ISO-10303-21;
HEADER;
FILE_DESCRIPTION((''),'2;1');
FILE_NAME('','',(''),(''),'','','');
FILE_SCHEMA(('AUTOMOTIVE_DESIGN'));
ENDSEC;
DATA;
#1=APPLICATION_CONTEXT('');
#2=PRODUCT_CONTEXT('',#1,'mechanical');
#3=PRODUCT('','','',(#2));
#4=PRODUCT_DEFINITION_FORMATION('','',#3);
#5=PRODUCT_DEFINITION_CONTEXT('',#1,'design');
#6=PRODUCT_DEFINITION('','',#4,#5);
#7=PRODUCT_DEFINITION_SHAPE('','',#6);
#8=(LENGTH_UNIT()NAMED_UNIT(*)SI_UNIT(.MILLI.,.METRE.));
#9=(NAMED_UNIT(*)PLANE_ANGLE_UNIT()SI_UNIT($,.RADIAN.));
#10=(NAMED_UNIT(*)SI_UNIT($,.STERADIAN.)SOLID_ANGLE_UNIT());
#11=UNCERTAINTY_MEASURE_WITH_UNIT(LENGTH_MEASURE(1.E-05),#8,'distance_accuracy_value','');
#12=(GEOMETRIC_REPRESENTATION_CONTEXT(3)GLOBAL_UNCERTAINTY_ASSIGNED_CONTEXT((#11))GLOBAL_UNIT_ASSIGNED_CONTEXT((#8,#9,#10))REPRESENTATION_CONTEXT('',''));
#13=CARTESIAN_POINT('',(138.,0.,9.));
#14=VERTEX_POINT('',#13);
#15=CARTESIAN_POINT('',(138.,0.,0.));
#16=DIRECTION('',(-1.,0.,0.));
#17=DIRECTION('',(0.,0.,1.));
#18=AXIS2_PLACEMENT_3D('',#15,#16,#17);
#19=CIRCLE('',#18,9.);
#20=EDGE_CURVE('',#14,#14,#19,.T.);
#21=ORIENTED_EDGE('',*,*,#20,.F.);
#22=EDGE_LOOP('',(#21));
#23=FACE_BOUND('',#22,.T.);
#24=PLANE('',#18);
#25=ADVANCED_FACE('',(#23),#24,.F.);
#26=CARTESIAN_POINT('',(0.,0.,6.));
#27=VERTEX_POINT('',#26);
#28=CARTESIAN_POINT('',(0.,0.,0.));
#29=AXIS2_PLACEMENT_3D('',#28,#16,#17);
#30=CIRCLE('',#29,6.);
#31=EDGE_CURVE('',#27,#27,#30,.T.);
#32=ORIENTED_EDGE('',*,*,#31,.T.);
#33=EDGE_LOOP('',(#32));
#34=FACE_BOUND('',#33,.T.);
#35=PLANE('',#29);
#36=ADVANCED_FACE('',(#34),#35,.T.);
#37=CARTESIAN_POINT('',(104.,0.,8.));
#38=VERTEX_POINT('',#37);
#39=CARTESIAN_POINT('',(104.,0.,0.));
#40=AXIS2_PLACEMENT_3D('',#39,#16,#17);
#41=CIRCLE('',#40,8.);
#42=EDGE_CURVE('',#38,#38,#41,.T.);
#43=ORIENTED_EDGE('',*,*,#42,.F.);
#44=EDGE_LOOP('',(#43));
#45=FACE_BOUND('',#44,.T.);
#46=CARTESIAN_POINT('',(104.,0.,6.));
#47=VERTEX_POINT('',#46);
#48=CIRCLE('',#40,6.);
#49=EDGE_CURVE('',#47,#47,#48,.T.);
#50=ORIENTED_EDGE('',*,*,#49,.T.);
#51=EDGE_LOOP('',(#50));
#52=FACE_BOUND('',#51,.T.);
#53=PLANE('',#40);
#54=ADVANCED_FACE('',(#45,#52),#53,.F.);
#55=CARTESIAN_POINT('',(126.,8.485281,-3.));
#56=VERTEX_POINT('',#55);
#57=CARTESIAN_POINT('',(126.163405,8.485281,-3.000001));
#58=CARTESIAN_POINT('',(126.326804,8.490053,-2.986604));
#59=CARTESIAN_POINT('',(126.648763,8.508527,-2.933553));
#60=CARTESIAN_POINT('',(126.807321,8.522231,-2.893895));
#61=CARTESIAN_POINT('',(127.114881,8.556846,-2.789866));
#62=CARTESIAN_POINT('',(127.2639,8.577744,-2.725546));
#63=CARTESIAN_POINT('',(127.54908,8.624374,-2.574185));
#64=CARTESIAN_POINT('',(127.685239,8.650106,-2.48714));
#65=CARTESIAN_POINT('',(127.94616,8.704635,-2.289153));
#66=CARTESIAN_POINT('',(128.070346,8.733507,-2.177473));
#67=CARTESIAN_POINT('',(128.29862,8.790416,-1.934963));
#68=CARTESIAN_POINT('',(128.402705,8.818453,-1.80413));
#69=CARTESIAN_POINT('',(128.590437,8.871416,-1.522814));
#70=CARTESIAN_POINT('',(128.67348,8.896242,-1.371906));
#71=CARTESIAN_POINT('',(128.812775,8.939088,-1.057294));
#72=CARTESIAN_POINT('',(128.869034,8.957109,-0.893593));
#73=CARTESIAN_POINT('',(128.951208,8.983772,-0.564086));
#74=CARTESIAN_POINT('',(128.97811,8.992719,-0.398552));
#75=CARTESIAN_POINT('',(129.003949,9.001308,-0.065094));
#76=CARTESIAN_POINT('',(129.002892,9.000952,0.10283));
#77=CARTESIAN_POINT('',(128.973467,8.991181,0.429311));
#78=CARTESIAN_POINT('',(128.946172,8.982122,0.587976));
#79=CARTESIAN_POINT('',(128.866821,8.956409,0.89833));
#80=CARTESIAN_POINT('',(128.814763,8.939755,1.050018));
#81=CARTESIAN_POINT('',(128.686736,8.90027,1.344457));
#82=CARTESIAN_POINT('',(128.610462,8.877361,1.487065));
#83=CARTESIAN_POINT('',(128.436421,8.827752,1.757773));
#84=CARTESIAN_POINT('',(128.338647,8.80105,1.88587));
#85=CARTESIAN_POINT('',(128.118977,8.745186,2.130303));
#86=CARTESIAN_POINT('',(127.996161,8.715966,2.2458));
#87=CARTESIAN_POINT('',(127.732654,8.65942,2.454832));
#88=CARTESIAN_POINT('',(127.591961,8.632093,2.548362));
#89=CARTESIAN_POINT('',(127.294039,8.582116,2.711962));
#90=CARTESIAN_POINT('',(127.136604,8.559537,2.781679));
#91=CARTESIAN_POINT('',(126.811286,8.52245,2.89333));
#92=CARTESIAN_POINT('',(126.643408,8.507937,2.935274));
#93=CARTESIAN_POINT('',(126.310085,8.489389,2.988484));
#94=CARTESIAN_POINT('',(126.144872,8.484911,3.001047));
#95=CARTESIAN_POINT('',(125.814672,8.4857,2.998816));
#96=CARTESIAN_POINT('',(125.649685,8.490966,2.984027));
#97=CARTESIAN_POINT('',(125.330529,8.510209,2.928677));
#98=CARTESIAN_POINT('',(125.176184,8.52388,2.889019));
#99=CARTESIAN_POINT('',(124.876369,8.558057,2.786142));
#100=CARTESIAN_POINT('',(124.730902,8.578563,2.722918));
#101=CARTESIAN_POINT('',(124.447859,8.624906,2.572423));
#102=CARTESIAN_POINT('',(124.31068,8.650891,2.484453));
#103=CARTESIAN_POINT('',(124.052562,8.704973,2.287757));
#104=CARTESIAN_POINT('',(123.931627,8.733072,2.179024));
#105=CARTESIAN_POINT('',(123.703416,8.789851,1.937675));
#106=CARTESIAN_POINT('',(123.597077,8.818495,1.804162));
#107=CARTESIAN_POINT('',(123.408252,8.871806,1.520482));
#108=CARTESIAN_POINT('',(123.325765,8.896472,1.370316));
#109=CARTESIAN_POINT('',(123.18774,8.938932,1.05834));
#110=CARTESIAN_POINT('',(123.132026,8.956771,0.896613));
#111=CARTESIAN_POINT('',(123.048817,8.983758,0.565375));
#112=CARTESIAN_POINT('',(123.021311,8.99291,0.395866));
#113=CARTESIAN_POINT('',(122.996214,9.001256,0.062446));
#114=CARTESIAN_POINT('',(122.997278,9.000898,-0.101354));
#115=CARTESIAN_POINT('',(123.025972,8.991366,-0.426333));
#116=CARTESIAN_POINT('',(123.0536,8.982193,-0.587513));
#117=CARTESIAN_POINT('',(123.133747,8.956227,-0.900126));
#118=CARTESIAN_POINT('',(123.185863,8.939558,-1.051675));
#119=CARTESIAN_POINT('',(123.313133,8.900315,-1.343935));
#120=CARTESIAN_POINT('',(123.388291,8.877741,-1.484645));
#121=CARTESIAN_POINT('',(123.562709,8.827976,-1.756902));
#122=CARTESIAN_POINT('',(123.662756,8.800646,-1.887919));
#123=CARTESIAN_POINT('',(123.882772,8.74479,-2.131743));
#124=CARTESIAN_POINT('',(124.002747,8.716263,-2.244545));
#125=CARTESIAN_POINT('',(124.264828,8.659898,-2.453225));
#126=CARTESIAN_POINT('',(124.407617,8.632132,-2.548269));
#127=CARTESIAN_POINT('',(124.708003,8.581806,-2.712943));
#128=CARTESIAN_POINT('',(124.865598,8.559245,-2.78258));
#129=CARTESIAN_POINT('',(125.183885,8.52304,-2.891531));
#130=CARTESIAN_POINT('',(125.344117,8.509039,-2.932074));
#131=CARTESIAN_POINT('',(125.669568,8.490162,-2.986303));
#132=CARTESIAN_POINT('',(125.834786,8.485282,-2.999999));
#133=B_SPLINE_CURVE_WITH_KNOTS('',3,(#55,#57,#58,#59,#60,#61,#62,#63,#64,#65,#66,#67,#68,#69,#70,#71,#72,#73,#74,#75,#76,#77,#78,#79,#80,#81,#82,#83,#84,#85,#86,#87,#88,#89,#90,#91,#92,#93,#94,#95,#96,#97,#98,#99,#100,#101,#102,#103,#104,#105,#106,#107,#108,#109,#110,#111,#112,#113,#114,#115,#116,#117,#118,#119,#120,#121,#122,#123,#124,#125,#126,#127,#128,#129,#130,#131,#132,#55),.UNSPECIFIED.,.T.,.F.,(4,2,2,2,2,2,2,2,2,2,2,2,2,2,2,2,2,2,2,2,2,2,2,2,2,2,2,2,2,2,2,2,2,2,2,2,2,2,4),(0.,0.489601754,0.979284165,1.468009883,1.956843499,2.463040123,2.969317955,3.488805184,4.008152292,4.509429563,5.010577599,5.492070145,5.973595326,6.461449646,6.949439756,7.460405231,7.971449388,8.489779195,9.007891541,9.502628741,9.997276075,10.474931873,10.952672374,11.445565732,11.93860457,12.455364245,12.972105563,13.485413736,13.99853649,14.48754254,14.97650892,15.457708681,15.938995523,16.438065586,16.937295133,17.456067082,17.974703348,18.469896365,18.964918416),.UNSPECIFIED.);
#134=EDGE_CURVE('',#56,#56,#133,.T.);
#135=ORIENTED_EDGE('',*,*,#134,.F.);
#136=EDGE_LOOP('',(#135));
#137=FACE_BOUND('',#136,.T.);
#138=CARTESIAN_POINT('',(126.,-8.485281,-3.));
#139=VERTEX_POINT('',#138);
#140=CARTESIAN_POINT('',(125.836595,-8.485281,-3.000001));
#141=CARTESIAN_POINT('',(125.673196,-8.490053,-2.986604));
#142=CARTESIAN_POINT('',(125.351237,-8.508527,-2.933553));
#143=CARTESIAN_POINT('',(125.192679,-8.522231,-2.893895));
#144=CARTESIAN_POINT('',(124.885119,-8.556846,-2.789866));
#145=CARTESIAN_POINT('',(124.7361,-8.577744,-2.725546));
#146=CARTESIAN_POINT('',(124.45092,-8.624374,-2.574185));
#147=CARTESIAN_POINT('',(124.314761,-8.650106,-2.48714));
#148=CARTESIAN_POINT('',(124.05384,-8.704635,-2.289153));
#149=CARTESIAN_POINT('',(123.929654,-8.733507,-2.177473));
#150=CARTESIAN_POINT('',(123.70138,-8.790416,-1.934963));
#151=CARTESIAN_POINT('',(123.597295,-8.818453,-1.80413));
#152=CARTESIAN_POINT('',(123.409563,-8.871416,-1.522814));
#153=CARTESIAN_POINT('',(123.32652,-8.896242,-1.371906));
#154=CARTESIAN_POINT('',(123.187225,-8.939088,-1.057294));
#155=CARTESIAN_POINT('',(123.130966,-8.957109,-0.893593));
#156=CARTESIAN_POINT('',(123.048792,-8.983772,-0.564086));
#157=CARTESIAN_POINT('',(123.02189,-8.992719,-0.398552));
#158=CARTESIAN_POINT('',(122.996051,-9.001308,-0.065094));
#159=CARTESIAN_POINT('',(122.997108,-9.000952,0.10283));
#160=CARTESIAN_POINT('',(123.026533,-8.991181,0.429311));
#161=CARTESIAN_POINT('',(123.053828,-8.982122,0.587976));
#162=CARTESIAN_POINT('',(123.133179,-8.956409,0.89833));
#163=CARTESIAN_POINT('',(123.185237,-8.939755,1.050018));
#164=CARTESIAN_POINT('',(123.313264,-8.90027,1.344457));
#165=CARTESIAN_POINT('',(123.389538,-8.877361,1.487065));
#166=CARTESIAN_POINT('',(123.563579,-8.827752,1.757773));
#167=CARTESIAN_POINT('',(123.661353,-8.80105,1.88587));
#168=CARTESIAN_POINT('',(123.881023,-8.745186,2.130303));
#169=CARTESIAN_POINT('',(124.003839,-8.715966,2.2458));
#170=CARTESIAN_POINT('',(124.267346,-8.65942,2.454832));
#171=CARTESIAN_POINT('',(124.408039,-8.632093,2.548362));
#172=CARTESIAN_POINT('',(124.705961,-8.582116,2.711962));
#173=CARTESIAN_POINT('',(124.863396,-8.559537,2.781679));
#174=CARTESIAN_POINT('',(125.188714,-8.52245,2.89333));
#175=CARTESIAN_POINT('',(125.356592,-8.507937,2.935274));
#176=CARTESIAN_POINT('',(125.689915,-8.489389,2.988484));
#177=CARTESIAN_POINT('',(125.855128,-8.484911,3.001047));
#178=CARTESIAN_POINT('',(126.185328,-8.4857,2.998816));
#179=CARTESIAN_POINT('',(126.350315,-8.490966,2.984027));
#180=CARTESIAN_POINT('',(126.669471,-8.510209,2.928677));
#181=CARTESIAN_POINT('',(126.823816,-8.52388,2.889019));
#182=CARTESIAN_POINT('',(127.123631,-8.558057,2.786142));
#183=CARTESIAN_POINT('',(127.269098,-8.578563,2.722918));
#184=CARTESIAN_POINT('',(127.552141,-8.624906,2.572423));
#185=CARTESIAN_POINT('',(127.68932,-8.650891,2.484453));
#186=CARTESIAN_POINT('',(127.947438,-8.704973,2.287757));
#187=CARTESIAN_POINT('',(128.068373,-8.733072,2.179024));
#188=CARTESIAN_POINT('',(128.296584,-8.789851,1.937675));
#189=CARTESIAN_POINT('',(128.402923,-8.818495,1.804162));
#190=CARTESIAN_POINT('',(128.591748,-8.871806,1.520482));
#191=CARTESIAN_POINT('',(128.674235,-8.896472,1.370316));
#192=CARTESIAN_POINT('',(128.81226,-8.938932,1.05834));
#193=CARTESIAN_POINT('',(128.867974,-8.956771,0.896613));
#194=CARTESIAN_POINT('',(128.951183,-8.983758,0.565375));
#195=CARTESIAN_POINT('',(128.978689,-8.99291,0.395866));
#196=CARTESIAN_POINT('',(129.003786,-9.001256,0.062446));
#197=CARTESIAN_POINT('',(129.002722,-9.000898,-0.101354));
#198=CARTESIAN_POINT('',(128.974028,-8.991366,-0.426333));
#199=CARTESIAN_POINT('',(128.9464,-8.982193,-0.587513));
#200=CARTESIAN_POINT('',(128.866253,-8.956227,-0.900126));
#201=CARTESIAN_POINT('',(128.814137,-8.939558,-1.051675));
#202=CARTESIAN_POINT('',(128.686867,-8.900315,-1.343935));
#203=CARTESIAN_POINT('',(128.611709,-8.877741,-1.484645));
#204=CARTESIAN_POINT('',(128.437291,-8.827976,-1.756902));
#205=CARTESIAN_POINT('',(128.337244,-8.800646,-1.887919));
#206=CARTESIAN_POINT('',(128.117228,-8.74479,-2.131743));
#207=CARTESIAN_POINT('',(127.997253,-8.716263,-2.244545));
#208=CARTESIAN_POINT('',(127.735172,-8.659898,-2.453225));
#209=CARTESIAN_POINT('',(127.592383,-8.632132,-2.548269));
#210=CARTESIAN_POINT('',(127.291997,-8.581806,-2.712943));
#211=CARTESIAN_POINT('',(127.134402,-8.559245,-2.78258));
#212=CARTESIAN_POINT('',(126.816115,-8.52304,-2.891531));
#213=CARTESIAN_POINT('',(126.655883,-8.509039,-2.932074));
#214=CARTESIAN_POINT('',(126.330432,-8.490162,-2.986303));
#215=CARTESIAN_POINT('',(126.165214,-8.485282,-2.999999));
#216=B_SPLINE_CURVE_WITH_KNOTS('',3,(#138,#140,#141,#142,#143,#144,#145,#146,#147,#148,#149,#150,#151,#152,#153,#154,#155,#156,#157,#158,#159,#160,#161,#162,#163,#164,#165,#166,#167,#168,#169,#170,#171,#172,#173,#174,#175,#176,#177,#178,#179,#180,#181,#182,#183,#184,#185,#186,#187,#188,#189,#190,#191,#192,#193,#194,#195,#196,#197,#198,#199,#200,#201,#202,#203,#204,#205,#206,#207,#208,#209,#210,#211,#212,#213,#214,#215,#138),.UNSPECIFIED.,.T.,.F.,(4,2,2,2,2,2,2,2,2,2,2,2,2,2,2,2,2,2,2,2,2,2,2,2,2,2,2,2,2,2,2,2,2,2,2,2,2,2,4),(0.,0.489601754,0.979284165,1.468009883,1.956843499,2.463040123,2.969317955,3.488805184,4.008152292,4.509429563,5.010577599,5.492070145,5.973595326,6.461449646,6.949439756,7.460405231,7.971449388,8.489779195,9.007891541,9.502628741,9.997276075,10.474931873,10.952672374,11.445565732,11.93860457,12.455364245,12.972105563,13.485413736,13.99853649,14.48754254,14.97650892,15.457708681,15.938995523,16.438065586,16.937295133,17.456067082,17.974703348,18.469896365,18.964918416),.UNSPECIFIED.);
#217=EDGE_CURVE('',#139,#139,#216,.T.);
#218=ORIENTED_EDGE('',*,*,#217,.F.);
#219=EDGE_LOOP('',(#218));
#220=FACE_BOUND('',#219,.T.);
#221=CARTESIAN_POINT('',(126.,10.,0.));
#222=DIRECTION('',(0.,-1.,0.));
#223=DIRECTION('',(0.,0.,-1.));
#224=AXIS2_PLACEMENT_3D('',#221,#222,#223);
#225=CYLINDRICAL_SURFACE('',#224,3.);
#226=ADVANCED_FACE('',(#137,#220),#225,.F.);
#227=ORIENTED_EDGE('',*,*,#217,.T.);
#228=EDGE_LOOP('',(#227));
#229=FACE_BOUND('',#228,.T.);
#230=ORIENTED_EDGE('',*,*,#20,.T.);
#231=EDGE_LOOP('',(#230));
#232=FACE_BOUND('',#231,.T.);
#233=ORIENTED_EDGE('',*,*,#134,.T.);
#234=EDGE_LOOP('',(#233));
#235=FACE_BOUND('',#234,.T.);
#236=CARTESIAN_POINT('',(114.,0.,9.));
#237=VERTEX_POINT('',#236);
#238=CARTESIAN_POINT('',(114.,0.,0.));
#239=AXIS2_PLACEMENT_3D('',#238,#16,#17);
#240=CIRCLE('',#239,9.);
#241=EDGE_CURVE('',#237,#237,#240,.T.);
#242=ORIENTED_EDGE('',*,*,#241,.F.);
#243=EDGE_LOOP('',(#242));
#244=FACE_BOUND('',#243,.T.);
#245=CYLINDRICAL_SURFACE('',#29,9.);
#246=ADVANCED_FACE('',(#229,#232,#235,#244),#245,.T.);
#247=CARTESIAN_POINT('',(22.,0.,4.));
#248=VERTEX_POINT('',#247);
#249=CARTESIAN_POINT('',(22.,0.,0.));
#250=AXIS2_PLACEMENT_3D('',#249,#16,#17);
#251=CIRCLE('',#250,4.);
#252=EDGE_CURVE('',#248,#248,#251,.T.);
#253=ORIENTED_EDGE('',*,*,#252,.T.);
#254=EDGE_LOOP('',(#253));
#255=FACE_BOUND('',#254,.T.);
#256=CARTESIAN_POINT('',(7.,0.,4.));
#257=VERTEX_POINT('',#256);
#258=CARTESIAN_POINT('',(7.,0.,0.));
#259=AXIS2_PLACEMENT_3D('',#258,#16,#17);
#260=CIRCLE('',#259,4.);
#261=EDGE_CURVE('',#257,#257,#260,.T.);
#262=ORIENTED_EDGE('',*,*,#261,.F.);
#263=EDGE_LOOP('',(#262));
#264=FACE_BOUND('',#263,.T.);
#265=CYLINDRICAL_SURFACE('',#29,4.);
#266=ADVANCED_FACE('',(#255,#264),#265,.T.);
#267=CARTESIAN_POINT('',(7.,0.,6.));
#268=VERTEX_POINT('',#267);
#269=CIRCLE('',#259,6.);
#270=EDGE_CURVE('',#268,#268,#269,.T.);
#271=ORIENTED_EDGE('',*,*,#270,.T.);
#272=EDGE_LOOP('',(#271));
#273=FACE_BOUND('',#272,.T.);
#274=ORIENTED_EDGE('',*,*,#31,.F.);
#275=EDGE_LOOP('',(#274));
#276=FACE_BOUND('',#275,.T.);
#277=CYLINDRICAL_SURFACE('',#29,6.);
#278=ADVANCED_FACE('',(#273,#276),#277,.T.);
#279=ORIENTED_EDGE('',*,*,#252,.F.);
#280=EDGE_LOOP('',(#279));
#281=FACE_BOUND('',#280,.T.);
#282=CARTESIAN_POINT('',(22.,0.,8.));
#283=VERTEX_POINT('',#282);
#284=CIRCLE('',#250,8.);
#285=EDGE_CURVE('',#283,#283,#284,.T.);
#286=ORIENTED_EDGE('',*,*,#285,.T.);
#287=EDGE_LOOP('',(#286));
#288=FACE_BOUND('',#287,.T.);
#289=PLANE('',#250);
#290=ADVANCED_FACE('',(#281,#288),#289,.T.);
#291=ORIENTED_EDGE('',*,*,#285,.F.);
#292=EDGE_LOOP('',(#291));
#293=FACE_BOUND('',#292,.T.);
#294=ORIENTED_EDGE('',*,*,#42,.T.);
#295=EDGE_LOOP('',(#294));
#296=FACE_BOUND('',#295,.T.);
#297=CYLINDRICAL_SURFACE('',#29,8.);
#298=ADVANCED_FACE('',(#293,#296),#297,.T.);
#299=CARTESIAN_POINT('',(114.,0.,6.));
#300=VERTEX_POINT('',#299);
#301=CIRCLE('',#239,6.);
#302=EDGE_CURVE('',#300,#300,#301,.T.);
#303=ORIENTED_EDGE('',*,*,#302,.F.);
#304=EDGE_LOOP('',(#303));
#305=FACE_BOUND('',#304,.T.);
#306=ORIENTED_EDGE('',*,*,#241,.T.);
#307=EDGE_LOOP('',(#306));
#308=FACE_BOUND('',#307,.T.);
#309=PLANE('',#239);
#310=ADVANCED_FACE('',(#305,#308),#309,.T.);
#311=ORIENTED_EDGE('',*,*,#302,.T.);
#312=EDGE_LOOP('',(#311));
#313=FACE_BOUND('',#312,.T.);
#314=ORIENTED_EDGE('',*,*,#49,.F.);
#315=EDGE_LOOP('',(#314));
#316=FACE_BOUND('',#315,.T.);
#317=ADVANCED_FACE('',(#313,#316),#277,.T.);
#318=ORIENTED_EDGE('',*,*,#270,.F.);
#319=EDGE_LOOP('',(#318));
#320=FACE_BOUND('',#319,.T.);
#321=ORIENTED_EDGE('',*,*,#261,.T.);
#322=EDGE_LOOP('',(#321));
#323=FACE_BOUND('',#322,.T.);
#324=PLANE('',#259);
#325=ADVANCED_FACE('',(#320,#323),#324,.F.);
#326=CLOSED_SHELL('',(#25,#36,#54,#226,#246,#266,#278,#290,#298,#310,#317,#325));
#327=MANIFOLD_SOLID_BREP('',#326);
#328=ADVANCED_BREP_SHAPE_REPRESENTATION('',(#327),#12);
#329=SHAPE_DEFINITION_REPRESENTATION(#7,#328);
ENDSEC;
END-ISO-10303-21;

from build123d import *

# Parameters (mm, degrees)
CUT_EXTRUDE3_DEPTH      = 10
CUT_EXTRUDE3_DEPTH_BACK = 10
SKETCH2_R               = 3


with BuildPart() as part:
    # Sketch1 → Revolve1 (revolve)
    with BuildSketch(Plane.XY):
        Polygon((0, 6), (0, 0), (138, 0), (138, 9), (114, 9), (114, 6), (104, 6), (104, 8), (22, 8), (22, 4), (7, 4), (7, 6), align=None)
    revolve(axis=Axis((0, 0, 0), (1, 0, 0)))

    # Sketch2 → Cut-Extrude3 (cut, two sides: drawn at the far end of the back side and taken through both)
    with BuildSketch(Plane(origin=(0, 0, 0), x_dir=(1, 0, 0), z_dir=(0, 1, 0)).offset(-CUT_EXTRUDE3_DEPTH_BACK)):
        with Locations((126, 0)):
            Circle(SKETCH2_R)
    extrude(amount=CUT_EXTRUDE3_DEPTH + CUT_EXTRUDE3_DEPTH_BACK, mode=Mode.SUBTRACT)


solid = part.part
